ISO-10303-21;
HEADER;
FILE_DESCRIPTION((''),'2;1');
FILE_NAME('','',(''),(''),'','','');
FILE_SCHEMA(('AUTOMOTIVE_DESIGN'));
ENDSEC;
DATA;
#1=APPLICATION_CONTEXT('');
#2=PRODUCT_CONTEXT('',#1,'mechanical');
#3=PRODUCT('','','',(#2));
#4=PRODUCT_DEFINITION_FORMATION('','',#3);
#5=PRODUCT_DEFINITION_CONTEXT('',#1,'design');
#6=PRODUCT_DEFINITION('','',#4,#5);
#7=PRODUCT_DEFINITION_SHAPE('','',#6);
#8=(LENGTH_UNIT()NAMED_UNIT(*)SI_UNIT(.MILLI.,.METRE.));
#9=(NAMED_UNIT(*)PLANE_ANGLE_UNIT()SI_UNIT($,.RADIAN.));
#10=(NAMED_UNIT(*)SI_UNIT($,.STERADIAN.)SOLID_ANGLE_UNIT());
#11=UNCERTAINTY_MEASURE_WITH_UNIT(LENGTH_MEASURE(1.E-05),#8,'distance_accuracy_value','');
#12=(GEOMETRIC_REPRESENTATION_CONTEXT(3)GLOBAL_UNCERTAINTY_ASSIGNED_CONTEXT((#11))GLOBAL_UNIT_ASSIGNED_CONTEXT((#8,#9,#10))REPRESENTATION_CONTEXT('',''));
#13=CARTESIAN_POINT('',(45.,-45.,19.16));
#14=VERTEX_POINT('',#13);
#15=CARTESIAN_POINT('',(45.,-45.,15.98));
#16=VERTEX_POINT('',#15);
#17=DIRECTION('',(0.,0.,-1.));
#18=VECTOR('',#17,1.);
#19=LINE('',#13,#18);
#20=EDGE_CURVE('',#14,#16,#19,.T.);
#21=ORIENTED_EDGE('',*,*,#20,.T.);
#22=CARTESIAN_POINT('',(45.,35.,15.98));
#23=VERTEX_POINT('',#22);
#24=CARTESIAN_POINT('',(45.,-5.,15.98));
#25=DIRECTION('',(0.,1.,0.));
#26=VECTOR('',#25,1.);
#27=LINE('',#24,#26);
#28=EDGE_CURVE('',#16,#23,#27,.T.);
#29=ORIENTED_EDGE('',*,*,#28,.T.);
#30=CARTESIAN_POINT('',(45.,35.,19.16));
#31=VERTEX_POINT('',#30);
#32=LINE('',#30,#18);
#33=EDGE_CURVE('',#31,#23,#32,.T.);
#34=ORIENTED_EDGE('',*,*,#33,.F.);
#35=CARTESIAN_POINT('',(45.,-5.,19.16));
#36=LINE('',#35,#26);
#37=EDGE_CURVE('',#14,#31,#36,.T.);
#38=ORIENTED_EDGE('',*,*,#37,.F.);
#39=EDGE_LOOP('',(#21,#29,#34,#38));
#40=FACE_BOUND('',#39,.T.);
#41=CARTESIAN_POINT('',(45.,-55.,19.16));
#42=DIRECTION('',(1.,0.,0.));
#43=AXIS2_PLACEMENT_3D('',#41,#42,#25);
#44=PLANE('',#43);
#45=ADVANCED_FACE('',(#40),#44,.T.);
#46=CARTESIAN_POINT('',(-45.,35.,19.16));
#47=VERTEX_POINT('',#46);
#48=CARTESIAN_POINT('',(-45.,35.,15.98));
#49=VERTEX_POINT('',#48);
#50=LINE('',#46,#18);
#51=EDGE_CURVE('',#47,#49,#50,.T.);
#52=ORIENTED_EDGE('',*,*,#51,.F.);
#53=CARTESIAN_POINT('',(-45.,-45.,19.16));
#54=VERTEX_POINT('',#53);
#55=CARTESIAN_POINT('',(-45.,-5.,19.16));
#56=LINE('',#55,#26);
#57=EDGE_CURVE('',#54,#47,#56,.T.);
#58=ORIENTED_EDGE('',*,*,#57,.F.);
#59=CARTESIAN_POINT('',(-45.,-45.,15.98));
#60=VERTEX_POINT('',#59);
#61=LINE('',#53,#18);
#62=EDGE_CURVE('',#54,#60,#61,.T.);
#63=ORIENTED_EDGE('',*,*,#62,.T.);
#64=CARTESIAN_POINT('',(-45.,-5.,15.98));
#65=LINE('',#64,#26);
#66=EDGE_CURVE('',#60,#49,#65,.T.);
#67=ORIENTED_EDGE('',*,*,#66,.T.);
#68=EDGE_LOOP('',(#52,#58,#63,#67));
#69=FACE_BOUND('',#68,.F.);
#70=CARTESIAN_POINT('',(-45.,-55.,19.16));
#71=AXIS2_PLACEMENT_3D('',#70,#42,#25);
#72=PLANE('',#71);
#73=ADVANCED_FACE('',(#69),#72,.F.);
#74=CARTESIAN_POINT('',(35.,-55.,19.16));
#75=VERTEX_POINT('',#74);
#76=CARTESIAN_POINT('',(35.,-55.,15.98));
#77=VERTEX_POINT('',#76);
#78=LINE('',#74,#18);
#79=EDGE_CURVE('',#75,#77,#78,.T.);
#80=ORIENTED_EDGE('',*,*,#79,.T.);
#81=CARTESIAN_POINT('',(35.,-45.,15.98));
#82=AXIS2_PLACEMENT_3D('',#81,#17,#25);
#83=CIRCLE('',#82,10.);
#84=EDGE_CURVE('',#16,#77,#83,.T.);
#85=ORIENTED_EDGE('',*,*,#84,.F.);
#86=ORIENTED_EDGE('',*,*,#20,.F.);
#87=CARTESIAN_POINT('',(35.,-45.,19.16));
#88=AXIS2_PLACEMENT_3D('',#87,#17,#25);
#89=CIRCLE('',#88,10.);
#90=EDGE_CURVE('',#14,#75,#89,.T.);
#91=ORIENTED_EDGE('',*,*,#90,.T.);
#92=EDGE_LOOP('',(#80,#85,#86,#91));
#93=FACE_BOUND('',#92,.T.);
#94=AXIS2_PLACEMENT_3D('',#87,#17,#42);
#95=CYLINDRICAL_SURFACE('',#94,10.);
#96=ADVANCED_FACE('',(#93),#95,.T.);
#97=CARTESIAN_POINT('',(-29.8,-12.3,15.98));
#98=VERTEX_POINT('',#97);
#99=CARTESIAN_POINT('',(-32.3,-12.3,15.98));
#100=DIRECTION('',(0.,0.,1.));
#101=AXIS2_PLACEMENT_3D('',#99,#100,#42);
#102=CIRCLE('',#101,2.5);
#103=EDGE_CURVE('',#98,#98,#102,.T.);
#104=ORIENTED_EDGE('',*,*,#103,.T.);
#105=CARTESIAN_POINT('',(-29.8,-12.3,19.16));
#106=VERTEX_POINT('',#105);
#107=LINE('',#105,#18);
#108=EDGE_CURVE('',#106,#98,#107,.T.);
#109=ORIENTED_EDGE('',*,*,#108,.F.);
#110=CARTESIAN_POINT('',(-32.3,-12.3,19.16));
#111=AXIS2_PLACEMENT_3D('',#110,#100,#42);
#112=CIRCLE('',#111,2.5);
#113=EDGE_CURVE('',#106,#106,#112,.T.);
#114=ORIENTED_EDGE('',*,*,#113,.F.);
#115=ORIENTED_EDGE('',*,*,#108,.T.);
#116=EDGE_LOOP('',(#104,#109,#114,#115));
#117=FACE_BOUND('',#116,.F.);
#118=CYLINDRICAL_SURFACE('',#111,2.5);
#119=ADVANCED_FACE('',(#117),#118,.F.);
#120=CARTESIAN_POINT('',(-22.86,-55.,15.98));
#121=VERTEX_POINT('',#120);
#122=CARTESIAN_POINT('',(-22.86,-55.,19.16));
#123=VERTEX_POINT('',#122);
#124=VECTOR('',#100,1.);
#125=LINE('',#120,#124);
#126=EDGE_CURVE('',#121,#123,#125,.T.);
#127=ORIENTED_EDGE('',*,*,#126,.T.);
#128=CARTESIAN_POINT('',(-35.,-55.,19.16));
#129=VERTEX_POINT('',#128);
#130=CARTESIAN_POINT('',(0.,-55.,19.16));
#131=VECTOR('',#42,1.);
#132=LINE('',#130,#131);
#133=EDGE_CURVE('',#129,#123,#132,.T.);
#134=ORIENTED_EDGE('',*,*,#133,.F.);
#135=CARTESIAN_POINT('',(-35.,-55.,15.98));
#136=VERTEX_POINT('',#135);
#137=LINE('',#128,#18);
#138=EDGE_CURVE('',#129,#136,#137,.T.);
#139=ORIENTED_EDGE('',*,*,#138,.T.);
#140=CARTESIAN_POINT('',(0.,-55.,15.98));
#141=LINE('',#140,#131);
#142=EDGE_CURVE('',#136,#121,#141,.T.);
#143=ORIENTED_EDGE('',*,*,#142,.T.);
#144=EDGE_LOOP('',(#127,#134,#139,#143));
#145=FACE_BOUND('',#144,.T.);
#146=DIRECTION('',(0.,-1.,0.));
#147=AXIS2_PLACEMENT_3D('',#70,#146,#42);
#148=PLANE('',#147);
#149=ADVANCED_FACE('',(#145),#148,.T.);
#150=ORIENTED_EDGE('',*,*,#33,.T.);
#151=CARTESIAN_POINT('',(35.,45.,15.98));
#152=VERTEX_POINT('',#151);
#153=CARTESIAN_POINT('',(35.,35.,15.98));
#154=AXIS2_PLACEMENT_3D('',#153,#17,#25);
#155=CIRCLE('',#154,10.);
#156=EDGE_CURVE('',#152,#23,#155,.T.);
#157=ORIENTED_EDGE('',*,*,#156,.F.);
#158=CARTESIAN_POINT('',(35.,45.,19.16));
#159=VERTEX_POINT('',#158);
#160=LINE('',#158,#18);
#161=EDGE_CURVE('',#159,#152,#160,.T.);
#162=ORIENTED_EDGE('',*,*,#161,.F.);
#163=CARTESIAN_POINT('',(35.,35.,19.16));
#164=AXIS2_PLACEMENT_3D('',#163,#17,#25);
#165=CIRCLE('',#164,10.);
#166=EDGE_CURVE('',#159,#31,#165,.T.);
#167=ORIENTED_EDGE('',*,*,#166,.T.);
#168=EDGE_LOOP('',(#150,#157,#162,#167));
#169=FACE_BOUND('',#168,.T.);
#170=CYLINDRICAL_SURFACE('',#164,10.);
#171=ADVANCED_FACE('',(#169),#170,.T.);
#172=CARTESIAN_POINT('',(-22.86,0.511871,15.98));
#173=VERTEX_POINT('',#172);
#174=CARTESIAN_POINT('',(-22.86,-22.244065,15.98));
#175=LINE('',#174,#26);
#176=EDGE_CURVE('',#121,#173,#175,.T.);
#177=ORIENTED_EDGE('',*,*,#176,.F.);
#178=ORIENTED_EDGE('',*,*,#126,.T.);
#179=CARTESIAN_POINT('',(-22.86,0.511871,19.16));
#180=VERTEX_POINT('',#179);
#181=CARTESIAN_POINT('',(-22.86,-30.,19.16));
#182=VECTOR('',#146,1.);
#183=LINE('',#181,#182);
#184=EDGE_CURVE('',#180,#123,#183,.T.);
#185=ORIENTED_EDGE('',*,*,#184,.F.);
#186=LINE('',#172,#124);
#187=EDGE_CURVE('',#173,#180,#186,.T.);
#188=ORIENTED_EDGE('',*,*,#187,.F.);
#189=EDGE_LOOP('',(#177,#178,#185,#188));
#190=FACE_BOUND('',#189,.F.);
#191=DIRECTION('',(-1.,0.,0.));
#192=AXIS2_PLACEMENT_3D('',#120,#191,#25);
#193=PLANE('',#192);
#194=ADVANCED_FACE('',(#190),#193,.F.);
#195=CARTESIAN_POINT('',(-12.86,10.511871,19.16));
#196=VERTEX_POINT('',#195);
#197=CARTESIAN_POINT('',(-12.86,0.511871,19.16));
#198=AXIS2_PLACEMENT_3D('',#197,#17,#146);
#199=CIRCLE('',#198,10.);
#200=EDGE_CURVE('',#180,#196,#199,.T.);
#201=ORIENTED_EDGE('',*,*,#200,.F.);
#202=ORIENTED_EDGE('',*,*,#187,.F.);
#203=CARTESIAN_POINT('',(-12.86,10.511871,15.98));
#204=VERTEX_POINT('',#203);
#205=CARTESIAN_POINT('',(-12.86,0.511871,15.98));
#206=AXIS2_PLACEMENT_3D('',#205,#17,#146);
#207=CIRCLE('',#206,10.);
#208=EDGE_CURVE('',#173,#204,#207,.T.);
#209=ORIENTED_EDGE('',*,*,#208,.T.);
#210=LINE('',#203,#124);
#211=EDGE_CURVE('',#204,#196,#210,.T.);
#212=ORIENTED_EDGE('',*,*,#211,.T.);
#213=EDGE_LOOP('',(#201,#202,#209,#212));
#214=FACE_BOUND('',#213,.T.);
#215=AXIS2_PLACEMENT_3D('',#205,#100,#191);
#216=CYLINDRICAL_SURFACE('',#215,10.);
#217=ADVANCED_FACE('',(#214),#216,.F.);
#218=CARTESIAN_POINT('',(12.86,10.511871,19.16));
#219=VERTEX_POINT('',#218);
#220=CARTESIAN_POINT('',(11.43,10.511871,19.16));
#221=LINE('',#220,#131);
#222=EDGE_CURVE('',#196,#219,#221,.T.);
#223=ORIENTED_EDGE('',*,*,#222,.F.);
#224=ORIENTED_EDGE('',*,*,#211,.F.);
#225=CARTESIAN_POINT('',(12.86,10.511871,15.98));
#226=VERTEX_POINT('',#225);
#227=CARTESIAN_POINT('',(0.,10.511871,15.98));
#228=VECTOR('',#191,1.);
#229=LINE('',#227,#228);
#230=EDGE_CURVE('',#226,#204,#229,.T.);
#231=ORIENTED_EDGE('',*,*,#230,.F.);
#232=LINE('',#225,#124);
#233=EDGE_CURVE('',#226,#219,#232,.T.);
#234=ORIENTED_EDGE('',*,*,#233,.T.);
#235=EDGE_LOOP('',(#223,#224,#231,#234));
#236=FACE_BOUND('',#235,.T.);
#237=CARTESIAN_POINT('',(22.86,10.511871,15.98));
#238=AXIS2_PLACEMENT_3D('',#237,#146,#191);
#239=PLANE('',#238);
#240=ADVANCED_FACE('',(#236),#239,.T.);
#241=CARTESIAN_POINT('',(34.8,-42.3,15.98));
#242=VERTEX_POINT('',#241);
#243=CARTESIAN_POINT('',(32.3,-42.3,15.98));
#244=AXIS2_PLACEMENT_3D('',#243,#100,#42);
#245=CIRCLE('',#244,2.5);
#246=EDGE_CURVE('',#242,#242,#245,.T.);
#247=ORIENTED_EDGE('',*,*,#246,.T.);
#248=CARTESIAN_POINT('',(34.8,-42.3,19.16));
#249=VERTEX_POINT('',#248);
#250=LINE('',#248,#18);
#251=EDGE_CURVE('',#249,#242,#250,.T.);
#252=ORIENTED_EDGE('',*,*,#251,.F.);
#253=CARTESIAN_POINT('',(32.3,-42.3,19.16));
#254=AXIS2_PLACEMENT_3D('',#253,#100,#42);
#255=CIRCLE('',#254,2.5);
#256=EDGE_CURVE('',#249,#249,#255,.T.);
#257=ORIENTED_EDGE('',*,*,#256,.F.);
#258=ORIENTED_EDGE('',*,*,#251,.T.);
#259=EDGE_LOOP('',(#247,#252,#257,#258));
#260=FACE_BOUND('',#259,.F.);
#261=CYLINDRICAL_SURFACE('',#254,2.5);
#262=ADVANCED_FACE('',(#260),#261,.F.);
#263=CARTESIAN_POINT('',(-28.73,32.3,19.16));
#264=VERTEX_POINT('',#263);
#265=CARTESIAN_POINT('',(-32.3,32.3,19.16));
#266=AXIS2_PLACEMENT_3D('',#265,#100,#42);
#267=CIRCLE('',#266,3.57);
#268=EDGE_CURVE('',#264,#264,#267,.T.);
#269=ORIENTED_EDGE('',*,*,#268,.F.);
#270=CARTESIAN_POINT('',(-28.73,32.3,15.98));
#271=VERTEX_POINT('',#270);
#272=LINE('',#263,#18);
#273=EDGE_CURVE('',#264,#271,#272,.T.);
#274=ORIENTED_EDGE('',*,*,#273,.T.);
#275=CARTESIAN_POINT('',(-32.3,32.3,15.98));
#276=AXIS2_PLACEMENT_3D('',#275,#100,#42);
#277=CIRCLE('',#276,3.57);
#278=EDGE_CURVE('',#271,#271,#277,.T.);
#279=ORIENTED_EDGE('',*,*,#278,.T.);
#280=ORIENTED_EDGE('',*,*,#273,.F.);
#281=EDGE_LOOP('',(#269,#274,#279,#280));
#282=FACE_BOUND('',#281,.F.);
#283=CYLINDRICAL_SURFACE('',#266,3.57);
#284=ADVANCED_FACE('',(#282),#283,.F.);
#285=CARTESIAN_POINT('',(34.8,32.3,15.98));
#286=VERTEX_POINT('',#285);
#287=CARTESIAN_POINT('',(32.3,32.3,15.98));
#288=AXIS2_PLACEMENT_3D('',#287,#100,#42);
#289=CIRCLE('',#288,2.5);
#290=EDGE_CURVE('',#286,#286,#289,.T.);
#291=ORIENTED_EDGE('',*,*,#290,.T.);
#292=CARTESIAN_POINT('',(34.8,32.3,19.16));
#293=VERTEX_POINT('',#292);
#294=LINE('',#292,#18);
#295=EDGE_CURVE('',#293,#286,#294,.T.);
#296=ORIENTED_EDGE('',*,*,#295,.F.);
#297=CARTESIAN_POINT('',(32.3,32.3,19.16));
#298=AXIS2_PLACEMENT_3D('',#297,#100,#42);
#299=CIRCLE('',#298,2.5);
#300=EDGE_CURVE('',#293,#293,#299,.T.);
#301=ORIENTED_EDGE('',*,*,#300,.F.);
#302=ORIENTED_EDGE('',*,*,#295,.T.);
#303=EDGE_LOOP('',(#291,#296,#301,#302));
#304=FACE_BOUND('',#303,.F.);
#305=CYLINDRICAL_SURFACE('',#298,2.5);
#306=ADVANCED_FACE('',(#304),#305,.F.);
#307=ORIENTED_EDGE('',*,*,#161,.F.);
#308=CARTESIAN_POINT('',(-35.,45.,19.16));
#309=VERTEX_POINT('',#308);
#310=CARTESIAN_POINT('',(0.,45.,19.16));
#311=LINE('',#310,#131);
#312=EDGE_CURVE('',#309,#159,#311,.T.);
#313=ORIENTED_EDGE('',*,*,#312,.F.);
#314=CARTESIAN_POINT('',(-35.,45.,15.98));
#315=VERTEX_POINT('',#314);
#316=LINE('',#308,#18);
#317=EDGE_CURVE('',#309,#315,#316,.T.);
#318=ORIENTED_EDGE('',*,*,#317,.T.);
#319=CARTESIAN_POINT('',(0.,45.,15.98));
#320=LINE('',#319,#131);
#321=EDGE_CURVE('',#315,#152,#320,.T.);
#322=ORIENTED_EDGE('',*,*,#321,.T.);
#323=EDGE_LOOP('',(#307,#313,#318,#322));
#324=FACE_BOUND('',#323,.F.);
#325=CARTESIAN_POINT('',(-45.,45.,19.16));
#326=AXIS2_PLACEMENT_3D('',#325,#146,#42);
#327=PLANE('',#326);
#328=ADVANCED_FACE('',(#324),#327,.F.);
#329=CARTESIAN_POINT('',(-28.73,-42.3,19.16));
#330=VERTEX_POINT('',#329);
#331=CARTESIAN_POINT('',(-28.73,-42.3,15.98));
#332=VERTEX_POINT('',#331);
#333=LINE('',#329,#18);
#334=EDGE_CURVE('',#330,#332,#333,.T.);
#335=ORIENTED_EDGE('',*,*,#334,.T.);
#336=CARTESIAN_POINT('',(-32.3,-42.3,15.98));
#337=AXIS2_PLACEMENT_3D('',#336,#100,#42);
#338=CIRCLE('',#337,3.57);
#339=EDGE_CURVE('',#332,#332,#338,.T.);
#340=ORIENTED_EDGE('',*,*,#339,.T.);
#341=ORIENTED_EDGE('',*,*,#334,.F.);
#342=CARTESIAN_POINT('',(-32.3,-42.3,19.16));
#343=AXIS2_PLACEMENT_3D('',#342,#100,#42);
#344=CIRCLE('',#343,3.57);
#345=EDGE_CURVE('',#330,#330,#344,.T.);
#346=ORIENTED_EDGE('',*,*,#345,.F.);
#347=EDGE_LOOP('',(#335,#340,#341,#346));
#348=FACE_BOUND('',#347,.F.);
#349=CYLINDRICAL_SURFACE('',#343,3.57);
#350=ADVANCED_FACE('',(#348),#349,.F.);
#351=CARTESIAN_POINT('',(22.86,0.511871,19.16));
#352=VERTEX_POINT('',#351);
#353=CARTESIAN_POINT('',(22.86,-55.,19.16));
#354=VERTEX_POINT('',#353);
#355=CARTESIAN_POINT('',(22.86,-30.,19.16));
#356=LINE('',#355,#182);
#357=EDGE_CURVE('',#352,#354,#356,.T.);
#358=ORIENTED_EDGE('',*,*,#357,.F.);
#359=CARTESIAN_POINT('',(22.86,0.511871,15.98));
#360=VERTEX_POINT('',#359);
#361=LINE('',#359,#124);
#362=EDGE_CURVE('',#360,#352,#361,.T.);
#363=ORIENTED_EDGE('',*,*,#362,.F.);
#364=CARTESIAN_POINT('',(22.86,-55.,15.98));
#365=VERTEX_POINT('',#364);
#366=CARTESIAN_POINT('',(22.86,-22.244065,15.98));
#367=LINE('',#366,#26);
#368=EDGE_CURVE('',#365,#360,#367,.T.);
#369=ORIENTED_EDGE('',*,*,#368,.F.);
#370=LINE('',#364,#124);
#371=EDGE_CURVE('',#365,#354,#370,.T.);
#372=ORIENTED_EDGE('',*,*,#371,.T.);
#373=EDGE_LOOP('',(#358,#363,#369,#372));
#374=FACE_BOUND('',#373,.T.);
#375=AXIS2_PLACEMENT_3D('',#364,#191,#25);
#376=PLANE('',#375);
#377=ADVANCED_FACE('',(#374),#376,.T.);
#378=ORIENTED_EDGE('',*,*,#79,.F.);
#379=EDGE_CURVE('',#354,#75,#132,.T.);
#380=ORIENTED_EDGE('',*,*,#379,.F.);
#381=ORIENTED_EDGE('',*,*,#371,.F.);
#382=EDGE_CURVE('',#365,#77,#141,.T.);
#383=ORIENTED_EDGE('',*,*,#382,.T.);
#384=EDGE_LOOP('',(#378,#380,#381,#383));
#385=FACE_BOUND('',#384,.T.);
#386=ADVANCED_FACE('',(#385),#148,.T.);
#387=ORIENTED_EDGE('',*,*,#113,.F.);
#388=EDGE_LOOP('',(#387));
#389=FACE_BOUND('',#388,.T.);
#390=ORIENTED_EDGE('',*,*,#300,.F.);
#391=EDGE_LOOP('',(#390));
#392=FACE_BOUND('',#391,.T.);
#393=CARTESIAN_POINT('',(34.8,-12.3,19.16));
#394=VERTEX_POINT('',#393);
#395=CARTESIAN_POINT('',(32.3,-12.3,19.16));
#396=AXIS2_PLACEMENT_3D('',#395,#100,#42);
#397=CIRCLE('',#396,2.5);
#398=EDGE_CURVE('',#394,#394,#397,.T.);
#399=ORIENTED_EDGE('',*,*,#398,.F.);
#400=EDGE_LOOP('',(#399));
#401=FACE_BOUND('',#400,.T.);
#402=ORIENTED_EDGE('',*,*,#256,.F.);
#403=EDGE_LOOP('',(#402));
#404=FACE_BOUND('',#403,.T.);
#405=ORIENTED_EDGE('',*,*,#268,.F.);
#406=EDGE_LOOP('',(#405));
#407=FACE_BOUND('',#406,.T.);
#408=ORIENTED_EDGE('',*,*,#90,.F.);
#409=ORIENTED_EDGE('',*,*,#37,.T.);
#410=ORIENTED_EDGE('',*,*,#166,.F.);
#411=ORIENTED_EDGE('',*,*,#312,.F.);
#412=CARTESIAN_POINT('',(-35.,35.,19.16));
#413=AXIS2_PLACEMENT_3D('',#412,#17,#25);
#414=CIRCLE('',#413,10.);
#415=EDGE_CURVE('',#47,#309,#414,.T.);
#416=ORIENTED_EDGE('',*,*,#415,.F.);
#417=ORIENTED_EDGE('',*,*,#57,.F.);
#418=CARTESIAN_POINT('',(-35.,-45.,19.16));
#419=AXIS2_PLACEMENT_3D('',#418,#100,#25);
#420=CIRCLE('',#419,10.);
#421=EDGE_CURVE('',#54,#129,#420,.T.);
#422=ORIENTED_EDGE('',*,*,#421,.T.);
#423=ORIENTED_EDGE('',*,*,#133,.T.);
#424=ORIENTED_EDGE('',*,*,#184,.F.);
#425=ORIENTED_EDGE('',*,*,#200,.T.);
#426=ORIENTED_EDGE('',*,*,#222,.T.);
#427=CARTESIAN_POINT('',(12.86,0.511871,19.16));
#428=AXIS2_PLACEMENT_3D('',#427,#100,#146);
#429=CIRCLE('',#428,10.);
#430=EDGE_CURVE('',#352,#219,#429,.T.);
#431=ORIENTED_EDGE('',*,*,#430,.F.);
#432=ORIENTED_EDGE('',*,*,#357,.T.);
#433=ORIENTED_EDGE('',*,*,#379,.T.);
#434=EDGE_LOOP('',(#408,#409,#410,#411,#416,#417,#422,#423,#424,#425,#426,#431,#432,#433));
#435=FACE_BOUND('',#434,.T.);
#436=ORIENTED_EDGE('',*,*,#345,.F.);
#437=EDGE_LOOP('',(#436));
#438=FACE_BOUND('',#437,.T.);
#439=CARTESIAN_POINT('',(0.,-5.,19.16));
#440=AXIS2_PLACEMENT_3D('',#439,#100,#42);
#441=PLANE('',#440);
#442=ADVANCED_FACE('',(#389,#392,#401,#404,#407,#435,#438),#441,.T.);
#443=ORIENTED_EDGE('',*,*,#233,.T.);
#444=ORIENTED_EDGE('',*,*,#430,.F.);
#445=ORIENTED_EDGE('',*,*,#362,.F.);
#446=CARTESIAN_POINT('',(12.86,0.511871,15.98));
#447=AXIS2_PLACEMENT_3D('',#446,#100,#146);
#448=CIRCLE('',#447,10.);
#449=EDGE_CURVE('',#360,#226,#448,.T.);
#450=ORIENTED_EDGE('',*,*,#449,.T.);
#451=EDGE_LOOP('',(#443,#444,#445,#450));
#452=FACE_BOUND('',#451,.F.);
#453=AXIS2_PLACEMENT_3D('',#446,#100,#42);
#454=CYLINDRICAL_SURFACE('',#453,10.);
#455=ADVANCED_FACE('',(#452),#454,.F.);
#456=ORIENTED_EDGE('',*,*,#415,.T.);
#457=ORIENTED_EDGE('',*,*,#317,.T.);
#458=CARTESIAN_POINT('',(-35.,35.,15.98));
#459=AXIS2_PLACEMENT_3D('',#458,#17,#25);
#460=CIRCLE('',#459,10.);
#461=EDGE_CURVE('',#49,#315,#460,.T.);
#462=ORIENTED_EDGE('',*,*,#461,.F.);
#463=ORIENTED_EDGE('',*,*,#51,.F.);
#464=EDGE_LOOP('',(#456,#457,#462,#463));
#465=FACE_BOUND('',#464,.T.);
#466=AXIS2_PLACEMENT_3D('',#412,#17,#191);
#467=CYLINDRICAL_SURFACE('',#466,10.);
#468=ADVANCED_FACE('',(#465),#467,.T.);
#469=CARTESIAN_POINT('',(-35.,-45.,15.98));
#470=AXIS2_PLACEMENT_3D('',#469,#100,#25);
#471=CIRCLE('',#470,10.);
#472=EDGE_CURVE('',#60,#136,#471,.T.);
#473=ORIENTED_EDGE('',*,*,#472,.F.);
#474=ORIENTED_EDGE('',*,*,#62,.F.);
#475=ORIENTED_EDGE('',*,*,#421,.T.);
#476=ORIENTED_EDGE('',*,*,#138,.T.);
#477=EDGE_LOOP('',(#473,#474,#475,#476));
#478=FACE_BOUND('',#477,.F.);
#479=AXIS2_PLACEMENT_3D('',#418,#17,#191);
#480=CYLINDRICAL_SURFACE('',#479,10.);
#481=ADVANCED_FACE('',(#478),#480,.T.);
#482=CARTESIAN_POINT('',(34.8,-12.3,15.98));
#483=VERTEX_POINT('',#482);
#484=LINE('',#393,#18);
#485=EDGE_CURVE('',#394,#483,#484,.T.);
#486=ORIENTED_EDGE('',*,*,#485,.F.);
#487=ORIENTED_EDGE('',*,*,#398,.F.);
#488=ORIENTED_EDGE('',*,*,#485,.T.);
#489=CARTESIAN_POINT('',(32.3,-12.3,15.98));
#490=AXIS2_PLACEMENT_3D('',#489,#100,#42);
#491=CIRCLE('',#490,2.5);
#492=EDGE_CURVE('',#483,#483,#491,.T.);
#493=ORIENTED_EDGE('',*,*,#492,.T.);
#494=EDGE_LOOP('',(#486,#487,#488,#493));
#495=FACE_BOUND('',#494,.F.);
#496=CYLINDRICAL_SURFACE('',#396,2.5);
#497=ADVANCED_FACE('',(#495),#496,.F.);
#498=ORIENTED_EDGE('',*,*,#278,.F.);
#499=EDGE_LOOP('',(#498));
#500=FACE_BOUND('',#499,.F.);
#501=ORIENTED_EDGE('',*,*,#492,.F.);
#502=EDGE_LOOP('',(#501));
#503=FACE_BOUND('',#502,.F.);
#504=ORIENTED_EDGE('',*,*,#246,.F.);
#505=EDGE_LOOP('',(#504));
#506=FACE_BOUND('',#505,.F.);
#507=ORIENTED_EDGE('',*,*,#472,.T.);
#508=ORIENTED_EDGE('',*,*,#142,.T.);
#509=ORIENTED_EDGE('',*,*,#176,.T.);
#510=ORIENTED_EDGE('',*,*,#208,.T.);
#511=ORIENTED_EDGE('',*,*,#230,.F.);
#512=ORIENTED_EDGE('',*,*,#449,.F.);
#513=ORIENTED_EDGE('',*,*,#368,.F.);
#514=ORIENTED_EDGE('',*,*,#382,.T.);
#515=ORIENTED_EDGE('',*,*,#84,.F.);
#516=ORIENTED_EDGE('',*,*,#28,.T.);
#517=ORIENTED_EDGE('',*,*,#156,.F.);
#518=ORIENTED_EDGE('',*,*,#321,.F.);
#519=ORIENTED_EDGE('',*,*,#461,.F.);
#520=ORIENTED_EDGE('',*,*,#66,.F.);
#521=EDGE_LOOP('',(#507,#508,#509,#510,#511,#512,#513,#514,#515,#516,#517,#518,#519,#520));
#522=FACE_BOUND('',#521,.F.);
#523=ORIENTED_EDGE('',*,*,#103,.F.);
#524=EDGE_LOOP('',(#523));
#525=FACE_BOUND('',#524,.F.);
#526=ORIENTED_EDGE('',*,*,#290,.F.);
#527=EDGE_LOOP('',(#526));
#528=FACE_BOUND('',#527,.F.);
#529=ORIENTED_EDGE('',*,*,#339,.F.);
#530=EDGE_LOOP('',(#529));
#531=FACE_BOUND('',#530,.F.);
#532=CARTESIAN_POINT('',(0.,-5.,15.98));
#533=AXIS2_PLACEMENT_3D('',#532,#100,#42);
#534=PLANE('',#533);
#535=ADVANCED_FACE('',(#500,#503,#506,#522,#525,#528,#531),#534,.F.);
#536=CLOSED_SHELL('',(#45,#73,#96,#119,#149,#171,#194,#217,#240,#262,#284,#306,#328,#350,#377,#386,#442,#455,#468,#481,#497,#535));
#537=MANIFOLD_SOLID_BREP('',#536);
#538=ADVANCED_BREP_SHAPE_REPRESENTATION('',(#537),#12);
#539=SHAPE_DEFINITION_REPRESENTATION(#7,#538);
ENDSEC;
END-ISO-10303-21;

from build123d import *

# Parameters (mm, degrees)
BOSS_EXTRUDE1_START = 19.16
SKETCH1_W           = 90
SKETCH1_H           = 100
SKETCH1_R           = 2.5
SKETCH1_R_2         = 3.57
BOSS_EXTRUDE1_DEPTH = 3.18
SKETCH2_W           = 45.72
SKETCH2_H           = 65.511870912
CUT_EXTRUDE1_DEPTH  = 72.134467033
FILLET1_R           = 10


with BuildPart() as part:
    # Sketch1 → Boss-Extrude1 (new body)
    with BuildSketch(Plane.XY.offset(BOSS_EXTRUDE1_START)):
        with Locations((0, -5)):
            Rectangle(SKETCH1_W, SKETCH1_H)
        with Locations((32.3, -12.3)):
            Circle(SKETCH1_R, mode=Mode.SUBTRACT)
        with Locations((32.3, -42.3)):
            Circle(SKETCH1_R, mode=Mode.SUBTRACT)
        with Locations((-32.3, -42.3)):
            Circle(SKETCH1_R_2, mode=Mode.SUBTRACT)
        with Locations((-32.3, -12.3)):
            Circle(SKETCH1_R, mode=Mode.SUBTRACT)
        with Locations((-32.3, 32.3)):
            Circle(SKETCH1_R_2, mode=Mode.SUBTRACT)
        with Locations((32.3, 32.3)):
            Circle(SKETCH1_R, mode=Mode.SUBTRACT)
    extrude(amount=-BOSS_EXTRUDE1_DEPTH)

    # Sketch2 → Cut-Extrude1 (cut, through all)
    with BuildSketch(Plane(origin=(0, 0, 15.98), x_dir=(-1, 0, 0), z_dir=(0, 0, -1))):
        with Locations((0, -22.244064544)):
            Rectangle(SKETCH2_W, SKETCH2_H)
    extrude(amount=-CUT_EXTRUDE1_DEPTH, mode=Mode.SUBTRACT)

    # Fillet1
    fillet1_edges = [part.edges().sort_by_distance(p)[0] for p in [
        (22.86, 10.511870912, 17.57),
        (-22.86, 10.511870912, 17.57),
        (-45, 45, 17.57),
        (45, 45, 17.57),
        (45, -55, 17.57),
        (-45, -55, 17.57),
    ]]
    fillet(fillet1_edges, radius=FILLET1_R)


solid = part.part
